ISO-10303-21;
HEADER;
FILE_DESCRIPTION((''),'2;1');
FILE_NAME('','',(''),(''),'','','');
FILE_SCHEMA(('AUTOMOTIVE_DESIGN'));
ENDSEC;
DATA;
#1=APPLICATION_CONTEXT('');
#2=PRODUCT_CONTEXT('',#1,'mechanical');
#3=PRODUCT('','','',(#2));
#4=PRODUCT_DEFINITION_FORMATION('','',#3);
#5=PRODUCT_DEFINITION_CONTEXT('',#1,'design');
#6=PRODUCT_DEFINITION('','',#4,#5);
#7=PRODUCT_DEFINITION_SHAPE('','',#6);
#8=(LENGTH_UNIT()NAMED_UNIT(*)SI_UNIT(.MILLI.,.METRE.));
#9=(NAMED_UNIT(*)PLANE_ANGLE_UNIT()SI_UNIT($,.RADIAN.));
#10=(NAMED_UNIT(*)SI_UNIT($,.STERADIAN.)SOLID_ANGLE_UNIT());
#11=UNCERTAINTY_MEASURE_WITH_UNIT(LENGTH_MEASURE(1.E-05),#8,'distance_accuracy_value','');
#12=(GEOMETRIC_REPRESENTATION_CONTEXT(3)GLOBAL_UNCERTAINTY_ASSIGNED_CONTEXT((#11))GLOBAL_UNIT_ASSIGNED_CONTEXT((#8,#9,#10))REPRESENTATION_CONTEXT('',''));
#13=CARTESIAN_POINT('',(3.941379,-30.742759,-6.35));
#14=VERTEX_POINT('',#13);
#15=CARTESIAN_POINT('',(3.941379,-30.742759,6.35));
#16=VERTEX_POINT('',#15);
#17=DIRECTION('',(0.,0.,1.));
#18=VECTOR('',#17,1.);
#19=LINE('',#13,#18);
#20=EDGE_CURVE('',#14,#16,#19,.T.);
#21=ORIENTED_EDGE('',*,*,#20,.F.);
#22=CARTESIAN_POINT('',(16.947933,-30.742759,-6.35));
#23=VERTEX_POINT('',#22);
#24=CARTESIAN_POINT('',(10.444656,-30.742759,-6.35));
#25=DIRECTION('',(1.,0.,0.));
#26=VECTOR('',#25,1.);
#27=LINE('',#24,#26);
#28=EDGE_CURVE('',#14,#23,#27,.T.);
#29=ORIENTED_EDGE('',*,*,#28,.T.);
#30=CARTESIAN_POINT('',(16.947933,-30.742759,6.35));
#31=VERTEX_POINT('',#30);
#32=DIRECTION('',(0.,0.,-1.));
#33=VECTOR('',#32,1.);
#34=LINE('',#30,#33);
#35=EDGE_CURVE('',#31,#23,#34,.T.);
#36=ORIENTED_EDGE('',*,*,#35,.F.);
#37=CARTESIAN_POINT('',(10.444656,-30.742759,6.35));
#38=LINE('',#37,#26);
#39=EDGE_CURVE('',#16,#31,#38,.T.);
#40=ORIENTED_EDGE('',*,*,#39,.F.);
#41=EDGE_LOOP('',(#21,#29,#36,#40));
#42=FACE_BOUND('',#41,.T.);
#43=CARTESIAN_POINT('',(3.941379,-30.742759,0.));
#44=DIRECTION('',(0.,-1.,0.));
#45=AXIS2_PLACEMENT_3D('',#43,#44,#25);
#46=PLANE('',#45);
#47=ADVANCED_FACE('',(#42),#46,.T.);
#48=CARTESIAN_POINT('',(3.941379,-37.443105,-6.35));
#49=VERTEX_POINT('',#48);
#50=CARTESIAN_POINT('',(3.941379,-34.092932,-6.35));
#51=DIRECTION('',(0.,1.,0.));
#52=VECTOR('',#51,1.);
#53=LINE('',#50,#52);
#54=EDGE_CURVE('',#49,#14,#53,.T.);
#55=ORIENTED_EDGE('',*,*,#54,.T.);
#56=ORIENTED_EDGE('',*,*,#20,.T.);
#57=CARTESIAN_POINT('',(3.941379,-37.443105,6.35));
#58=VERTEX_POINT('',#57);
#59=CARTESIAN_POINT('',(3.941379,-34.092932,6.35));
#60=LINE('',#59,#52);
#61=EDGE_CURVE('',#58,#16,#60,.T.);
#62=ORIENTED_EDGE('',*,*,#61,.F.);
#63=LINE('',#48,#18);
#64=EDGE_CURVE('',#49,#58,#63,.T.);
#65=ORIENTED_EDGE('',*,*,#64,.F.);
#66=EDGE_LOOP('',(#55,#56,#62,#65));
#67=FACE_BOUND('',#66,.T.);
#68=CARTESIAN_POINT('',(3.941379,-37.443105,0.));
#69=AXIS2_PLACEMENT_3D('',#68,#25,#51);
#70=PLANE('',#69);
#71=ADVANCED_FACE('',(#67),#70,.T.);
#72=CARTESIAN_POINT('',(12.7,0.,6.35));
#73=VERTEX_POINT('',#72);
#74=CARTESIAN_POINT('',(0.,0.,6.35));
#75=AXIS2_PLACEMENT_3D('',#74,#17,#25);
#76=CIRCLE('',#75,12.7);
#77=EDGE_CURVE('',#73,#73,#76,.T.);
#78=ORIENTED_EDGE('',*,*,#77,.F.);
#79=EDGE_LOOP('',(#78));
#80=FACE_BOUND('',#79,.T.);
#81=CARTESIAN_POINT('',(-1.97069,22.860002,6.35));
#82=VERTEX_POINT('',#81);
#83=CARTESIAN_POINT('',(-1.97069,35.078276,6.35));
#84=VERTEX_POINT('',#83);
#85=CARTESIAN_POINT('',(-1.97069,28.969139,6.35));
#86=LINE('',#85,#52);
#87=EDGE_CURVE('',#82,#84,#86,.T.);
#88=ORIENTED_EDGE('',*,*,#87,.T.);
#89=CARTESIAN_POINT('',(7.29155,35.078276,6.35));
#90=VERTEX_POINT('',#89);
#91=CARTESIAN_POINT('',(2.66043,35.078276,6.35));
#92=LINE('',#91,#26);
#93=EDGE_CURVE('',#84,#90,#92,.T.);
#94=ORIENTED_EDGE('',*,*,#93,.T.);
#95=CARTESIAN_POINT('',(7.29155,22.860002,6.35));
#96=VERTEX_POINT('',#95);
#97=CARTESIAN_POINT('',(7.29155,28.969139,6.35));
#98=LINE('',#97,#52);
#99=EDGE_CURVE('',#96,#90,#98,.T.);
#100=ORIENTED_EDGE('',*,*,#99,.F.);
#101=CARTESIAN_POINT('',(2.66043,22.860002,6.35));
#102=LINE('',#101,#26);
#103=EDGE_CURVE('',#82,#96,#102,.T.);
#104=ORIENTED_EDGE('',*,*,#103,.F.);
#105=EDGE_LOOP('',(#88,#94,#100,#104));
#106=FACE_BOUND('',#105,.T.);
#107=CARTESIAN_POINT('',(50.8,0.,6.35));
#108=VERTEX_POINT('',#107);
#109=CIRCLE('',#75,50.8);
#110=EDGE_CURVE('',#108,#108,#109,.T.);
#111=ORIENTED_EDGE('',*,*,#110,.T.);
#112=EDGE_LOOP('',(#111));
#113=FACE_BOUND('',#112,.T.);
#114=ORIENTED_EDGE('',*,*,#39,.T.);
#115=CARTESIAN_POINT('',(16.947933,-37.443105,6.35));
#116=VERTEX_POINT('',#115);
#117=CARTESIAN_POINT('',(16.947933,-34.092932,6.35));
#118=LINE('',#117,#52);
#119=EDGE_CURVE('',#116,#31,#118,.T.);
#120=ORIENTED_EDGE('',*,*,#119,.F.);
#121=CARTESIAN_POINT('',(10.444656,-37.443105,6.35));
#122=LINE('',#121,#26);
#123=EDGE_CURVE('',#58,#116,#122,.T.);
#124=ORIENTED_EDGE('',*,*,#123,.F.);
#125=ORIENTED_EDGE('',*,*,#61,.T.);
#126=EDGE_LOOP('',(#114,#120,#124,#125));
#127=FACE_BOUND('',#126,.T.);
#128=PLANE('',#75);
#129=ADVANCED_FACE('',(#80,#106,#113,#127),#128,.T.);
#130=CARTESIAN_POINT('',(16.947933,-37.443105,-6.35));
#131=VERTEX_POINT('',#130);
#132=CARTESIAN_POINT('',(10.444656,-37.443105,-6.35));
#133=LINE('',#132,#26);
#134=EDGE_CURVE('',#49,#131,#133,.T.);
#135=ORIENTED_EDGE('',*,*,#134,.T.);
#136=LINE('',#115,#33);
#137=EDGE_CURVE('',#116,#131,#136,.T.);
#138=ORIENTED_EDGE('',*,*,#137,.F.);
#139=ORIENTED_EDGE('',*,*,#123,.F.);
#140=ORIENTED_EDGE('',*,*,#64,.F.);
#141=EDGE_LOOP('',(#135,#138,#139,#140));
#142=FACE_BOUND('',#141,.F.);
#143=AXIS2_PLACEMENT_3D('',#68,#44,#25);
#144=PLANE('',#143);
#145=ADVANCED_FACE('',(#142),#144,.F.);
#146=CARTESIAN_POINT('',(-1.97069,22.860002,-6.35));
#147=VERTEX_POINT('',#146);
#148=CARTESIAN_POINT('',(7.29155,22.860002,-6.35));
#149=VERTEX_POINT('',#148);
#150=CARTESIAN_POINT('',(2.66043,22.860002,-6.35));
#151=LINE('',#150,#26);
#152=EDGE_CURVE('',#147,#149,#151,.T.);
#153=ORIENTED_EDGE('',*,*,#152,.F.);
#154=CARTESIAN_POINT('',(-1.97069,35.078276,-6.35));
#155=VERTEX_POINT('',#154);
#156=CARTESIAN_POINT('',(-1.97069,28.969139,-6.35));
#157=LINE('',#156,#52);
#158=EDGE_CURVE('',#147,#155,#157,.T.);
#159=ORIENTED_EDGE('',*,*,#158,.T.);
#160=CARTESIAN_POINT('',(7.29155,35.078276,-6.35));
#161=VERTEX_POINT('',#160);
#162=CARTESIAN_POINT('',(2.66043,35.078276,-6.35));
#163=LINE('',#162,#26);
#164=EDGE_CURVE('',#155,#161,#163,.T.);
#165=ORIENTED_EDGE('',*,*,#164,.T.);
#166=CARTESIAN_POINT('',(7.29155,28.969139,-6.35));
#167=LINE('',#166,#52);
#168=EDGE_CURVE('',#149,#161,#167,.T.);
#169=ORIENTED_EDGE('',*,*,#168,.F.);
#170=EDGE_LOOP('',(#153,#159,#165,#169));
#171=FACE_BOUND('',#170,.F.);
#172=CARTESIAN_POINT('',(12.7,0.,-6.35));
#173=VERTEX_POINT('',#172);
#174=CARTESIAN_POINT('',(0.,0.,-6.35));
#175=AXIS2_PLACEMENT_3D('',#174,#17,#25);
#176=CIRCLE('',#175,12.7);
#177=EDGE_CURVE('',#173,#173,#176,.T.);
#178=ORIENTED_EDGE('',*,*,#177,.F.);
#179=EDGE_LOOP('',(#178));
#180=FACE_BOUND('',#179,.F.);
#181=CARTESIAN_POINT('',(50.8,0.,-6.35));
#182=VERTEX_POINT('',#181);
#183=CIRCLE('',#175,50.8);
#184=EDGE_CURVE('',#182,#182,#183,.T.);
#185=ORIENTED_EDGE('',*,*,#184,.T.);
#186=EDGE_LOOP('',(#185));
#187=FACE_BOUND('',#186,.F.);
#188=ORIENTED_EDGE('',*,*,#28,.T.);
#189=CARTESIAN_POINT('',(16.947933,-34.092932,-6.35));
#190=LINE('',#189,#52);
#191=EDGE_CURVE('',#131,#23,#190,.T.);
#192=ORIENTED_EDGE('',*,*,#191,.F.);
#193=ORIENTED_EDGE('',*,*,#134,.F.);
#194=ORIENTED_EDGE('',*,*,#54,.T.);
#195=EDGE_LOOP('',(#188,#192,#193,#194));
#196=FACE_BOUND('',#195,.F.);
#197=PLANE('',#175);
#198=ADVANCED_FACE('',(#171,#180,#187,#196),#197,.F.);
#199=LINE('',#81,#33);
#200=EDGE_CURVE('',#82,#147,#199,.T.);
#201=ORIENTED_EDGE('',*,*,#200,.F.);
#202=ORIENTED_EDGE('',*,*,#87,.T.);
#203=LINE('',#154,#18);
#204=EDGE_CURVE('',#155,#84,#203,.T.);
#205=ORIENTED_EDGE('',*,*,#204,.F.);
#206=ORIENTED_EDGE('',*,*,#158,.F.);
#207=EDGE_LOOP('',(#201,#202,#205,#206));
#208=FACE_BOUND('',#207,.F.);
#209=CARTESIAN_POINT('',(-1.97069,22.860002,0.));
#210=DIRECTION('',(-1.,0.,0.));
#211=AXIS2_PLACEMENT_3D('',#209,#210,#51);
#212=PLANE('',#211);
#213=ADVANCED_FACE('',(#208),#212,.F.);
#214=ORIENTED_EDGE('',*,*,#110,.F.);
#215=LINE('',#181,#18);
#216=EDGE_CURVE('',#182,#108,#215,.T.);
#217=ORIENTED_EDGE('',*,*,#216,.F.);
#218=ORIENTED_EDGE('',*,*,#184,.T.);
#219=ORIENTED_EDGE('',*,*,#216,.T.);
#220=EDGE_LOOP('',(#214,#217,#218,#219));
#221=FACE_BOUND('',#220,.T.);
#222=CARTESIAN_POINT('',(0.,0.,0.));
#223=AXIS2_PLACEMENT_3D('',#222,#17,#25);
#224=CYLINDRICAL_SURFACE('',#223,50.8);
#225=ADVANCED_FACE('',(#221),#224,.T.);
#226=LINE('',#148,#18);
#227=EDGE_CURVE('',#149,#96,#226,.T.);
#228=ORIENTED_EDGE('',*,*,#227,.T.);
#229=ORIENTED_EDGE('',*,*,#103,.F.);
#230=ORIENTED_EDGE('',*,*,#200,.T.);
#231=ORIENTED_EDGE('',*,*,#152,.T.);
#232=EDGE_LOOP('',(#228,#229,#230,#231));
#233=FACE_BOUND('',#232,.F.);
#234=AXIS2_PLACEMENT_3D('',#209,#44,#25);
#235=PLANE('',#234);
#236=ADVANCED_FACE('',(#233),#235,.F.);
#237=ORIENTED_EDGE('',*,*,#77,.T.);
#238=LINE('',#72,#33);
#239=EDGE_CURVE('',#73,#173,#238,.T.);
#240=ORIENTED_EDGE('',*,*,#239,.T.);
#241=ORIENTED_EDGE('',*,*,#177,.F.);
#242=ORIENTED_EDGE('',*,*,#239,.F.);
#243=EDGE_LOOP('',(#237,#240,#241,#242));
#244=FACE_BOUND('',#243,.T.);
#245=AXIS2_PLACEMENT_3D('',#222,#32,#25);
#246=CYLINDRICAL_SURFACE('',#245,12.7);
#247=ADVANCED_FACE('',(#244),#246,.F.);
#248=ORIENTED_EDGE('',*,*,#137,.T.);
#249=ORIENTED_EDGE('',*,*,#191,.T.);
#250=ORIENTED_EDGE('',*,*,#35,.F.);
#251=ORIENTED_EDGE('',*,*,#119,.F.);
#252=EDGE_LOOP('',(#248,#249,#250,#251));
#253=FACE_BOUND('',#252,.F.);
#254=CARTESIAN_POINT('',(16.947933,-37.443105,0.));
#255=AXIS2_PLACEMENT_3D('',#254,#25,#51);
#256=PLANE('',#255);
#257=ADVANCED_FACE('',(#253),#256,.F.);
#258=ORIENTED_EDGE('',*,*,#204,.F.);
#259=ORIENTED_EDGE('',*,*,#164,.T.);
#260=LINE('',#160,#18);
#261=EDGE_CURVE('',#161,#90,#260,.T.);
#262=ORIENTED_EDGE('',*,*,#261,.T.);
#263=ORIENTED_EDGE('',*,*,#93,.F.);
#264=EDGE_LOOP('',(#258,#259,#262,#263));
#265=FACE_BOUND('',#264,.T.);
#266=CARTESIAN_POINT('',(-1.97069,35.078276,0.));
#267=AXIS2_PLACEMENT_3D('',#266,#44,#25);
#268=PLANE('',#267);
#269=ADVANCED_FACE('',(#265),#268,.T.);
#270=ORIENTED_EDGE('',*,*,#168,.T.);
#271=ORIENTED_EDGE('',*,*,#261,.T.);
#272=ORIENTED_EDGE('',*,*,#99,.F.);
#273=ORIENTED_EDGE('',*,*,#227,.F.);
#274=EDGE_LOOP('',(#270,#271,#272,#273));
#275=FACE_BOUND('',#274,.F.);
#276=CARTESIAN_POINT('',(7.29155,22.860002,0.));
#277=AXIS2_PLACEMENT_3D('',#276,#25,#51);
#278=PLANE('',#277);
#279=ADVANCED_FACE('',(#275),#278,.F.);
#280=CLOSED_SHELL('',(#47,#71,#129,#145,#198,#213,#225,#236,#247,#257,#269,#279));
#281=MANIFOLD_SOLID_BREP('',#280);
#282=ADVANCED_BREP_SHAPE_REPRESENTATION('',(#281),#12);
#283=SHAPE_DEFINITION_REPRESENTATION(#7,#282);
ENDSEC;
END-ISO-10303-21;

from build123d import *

# Parameters (mm, degrees)
F0_R     = 50.8
F0_R_2   = 12.7
F0_W     = 13.006554
F0_H     = 6.700346
F0_W_2   = 9.262241
F0_H_2   = 12.218274
F1_DEPTH = 6.35


with BuildPart() as f1:
    # F0 (on Top) → F1 (new body, symmetric)
    with BuildSketch(Plane.XY):
        Circle(F0_R)
        Circle(F0_R_2, mode=Mode.SUBTRACT)
        with Locations((10.444656, -34.092932)):
            Rectangle(F0_W, F0_H, mode=Mode.SUBTRACT)
        with Locations((2.66043, 28.969139)):
            Rectangle(F0_W_2, F0_H_2, mode=Mode.SUBTRACT)
    extrude(amount=F1_DEPTH, both=True)


solid = f1.part
